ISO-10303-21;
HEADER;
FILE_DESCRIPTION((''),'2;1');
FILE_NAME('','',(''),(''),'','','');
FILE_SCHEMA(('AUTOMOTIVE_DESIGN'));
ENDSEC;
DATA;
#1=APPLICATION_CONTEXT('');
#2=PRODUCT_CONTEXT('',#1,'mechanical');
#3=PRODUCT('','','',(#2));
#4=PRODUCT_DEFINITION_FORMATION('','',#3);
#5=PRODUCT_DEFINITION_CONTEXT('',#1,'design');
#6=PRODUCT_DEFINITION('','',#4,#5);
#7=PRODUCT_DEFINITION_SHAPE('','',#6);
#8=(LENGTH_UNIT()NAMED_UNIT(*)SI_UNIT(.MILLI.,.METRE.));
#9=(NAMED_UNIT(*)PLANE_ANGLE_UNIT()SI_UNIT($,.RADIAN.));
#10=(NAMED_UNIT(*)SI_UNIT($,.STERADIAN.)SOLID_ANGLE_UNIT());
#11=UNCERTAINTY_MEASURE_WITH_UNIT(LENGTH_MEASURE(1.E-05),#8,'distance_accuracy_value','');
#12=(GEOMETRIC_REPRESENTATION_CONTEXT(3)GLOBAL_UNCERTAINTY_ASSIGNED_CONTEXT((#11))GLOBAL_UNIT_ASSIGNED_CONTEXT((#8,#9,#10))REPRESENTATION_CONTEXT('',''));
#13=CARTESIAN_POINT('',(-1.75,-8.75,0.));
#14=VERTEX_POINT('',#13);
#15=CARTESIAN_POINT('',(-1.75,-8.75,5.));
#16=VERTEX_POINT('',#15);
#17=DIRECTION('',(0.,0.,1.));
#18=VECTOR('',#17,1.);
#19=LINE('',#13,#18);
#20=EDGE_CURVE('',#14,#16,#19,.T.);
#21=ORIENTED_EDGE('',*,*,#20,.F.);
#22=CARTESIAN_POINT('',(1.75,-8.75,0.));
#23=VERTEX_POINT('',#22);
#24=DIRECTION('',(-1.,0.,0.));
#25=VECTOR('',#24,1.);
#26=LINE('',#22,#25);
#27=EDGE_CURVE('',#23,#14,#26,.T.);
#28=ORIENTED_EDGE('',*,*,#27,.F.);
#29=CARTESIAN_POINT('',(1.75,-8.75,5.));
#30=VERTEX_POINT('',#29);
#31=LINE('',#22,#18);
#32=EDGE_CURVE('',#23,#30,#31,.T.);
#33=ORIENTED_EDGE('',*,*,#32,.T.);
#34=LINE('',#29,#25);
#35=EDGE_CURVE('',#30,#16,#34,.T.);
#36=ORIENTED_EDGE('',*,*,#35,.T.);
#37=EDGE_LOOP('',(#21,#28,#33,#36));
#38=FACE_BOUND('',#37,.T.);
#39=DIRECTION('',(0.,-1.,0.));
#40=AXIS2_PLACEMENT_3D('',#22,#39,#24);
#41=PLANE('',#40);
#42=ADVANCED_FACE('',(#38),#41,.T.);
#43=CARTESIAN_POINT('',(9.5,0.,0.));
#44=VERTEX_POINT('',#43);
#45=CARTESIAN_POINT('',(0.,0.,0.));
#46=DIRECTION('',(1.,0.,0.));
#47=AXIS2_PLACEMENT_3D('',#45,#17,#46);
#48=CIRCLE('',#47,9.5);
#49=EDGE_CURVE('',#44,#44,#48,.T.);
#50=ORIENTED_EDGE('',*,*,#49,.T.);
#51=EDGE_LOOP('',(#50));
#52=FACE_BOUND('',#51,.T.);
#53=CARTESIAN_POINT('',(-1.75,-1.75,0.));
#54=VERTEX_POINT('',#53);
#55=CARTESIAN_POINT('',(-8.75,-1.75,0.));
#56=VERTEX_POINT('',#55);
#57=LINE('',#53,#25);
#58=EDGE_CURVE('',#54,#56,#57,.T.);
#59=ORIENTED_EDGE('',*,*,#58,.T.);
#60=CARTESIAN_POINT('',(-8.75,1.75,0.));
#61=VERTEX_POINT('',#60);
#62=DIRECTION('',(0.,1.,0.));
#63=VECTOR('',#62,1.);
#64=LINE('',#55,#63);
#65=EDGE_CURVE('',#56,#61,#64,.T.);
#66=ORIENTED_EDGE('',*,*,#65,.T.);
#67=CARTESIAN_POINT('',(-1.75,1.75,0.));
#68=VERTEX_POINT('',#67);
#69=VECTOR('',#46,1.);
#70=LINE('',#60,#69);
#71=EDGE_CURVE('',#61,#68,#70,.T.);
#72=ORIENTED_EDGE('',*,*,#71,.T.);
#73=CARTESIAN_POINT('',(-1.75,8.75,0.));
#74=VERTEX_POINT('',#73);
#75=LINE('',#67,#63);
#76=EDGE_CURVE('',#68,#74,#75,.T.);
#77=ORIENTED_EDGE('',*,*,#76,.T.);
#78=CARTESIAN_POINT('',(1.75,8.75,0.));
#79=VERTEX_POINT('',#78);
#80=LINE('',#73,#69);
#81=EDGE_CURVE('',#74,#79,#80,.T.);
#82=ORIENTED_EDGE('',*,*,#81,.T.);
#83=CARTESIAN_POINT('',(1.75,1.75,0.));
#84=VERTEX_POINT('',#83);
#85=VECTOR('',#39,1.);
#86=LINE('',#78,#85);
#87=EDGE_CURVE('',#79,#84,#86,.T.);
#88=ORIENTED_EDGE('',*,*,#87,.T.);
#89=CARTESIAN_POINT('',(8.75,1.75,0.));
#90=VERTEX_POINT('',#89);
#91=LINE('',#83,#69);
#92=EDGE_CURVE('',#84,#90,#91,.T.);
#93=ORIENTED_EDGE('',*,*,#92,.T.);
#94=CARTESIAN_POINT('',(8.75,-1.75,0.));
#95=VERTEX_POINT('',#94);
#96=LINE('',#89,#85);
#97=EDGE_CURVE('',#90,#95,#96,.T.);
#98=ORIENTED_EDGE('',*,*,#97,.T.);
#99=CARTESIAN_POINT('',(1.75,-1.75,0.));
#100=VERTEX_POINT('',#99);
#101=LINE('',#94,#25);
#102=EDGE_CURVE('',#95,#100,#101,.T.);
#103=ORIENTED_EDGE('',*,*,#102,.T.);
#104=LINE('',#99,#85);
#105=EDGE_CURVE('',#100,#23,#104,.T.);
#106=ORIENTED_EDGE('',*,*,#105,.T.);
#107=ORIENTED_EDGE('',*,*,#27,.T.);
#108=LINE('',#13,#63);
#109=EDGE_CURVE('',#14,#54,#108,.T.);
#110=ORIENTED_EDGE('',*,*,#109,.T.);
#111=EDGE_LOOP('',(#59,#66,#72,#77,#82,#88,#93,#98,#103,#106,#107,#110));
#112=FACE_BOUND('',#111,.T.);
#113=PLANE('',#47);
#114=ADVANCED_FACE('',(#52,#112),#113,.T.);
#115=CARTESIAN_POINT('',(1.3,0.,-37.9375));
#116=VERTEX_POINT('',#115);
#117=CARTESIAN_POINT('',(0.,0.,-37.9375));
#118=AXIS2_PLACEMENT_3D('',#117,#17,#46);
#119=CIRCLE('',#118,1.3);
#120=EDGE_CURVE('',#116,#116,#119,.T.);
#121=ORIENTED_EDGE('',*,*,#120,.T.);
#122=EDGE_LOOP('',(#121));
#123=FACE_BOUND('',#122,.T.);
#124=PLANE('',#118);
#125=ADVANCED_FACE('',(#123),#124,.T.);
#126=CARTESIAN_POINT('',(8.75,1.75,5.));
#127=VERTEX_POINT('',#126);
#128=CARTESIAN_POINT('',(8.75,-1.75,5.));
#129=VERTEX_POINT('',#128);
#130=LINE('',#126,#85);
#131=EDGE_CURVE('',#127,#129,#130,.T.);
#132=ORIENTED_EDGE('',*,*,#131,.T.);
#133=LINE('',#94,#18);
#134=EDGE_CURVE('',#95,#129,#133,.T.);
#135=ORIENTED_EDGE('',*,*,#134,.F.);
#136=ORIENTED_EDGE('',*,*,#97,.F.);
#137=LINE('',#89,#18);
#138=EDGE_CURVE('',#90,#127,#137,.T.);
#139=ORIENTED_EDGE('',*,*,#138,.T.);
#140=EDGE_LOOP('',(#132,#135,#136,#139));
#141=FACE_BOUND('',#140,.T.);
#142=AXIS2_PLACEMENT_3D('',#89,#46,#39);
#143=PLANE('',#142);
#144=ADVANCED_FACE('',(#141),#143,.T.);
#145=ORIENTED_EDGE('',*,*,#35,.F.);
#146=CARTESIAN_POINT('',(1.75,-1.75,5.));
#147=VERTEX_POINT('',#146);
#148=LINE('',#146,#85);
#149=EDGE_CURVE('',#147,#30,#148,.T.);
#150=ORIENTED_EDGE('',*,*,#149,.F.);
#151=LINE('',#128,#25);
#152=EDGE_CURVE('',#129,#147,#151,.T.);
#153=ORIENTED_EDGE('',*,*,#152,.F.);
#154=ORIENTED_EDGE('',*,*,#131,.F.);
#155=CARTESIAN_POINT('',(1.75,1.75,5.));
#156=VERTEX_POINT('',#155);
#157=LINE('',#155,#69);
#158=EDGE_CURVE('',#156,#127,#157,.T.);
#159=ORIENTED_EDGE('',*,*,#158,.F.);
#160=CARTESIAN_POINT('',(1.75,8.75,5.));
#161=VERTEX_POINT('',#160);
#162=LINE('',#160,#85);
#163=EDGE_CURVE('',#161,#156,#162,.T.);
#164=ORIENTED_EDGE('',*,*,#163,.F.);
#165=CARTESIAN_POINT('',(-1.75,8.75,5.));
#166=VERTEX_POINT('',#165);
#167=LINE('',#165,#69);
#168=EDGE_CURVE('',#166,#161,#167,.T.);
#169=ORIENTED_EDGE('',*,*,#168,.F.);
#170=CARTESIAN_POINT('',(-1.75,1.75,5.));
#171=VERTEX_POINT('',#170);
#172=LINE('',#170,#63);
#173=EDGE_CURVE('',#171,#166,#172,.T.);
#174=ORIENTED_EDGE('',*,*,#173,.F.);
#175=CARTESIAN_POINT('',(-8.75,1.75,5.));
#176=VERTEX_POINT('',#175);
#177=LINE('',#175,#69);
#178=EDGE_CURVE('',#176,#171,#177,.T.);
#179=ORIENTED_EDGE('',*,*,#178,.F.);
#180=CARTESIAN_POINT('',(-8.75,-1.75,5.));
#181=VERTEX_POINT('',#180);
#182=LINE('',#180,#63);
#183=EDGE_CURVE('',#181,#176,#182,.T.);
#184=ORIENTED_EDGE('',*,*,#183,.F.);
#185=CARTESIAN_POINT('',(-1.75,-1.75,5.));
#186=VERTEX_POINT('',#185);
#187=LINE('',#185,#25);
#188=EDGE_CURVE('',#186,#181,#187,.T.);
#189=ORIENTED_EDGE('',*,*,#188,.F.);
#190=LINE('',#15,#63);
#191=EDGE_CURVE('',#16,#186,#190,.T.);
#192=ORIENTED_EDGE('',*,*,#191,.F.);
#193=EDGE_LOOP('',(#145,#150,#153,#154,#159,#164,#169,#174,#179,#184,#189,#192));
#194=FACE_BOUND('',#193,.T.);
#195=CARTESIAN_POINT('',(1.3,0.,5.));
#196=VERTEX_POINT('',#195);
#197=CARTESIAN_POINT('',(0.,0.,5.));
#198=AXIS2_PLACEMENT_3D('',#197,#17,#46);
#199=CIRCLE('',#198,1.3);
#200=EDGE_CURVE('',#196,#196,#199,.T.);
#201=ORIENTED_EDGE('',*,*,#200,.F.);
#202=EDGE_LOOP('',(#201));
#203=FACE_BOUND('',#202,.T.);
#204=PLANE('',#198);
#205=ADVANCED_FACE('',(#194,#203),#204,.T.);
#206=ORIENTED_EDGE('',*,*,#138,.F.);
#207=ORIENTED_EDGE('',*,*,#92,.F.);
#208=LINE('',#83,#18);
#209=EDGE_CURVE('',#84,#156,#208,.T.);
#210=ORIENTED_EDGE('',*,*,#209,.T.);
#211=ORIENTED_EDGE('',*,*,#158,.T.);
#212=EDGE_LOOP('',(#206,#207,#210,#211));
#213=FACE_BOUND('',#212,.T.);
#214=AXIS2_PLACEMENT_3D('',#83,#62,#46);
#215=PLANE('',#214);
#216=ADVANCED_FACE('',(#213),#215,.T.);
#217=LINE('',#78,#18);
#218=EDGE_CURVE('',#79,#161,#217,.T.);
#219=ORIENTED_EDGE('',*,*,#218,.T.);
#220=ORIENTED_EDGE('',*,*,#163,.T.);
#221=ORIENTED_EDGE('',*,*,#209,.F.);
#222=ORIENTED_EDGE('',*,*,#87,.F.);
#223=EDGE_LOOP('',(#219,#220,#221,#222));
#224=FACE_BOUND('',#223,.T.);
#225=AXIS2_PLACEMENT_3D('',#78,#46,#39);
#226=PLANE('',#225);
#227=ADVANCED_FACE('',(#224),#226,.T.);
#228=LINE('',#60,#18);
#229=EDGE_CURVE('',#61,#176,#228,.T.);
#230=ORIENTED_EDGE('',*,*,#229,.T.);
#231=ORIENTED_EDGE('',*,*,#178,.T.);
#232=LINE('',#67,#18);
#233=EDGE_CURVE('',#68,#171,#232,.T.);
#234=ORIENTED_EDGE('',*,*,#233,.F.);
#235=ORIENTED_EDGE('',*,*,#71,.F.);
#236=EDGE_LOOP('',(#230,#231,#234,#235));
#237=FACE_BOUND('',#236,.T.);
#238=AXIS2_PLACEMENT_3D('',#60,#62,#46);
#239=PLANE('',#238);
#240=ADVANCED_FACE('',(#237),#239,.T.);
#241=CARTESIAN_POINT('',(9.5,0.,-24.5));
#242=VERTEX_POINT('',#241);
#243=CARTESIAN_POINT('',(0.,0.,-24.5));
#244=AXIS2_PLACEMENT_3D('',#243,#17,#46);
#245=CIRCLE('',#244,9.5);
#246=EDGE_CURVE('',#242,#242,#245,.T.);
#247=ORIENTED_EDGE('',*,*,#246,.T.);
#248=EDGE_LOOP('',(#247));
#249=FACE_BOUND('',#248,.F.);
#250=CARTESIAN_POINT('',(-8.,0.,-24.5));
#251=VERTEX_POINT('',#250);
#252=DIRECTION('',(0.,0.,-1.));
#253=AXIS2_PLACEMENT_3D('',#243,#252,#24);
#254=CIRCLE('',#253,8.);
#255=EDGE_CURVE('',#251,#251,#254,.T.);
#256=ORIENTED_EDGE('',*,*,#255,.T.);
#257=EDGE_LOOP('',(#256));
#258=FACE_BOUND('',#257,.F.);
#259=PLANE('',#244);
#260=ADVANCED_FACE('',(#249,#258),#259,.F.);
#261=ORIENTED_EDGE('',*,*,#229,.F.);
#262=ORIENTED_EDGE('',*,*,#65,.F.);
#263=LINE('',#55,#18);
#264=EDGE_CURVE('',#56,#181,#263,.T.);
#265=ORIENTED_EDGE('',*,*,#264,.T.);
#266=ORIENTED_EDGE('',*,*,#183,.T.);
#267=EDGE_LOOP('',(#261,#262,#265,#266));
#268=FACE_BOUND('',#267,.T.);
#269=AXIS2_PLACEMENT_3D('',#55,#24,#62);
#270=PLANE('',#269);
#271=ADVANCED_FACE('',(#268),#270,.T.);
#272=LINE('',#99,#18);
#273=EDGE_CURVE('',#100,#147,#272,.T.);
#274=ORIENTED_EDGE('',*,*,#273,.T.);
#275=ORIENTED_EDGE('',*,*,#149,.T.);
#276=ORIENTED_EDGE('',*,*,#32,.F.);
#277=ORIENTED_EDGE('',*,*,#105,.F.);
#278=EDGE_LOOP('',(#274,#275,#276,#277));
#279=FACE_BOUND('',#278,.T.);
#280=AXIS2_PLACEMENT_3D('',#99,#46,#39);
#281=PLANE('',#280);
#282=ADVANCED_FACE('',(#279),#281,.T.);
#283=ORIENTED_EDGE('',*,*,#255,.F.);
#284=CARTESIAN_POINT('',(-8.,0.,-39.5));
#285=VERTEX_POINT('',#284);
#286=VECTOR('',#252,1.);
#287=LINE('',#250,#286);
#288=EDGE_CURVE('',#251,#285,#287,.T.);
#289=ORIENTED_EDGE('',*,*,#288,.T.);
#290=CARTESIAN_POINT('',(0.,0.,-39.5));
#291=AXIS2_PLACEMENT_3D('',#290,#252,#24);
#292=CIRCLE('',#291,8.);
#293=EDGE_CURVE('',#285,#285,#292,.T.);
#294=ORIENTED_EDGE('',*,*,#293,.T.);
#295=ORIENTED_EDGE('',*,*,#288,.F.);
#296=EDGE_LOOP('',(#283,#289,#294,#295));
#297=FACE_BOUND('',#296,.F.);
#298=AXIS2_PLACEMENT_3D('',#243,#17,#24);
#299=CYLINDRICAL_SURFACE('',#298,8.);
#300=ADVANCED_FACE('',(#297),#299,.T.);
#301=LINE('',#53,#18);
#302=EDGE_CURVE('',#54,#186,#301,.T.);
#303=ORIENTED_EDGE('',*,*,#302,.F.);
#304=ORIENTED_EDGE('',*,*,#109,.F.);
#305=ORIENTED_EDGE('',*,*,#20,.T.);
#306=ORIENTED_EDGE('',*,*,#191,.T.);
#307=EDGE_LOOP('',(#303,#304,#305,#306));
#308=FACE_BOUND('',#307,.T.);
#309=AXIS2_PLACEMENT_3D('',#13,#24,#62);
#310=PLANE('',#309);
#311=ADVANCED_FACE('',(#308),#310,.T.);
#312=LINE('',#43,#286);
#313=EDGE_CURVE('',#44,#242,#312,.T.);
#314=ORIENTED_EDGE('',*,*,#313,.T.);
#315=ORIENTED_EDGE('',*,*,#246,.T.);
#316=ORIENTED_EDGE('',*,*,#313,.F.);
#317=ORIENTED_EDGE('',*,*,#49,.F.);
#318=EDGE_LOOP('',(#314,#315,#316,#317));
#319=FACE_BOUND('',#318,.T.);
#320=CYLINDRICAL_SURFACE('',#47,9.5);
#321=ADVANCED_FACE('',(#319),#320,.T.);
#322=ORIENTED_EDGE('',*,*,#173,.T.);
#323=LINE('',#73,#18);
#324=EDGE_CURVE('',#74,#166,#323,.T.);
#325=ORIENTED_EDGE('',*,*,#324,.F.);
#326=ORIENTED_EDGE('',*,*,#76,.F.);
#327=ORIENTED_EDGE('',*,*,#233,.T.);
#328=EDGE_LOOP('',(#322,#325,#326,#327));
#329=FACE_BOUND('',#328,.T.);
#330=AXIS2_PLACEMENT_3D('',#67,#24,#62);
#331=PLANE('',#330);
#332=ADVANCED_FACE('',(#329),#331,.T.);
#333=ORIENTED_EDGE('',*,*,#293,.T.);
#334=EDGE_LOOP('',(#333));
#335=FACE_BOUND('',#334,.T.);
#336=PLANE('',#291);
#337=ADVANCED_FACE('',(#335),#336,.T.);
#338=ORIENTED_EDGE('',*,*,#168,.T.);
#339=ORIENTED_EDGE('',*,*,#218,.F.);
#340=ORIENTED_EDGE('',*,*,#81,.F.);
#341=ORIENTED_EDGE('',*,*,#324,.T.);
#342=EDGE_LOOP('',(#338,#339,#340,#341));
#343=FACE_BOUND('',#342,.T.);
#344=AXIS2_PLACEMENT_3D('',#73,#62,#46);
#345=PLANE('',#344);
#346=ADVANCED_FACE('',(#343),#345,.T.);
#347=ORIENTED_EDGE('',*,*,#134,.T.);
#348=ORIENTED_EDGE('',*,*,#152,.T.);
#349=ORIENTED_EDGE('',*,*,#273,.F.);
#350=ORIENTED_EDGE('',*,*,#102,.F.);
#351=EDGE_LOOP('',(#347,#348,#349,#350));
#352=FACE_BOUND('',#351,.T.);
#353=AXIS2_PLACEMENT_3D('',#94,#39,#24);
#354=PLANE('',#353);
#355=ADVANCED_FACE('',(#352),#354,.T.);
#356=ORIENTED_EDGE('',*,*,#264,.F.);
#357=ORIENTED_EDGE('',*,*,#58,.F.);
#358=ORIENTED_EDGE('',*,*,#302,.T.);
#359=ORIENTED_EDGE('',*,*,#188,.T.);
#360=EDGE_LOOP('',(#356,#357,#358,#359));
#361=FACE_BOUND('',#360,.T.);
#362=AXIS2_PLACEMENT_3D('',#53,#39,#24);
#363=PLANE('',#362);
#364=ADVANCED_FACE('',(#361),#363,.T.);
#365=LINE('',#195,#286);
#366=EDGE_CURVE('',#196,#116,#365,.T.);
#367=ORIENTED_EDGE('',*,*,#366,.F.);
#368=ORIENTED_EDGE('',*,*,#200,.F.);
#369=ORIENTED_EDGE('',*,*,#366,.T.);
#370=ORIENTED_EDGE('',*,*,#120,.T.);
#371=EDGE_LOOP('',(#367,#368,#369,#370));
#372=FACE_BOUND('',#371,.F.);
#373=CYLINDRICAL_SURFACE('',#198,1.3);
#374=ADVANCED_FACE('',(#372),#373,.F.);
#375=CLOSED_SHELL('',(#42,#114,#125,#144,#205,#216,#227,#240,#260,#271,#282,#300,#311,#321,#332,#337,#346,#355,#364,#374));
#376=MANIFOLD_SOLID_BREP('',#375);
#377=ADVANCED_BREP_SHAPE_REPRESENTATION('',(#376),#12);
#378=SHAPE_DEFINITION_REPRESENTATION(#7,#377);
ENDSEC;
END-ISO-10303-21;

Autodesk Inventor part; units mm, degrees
ref_plane "YZ Plane" through (0, 0, 0) normal (1, 0, 0) x (0, 1, 0)
ref_plane "XZ Plane" through (0, 0, 0) normal (0, 1, 0) x (-1, 0, 0)
ref_plane "XY Plane" through (0, 0, 0) normal (0, 0, 1) x (1, 0, 0)
sketch "Sketch1" plane through (0, 0, 0) normal (0, 0, 1) x (1, 0, 0)
  circle A0 centre (0, 0) radius 9.5
  dimension "d0" = 19
extrude "Extrusion1" add sketch "Sketch1" against normal blind 24.5
sketch "Sketch2" plane through (0, 0, -24.5) normal (0, 0, -1) x (-1, 0, 0)
  circle A0 centre (0, 0) radius 8
  dimension "d3" = 16
extrude "Extrusion2" add sketch "Sketch2" along normal blind 15
sketch "Sketch3" plane through (0, 0, 0) normal (0, 0, 1) x (1, 0, 0)
  line L0 (0, 0) -> (0, 8.75)
  line L1 (0, 8.75) -> (1.75, 8.75)
  line L2 (1.75, 8.75) -> (1.75, 1.75)
  line L3 (1.75, 1.75) -> (8.75, 1.75)
  line L4 (8.75, 1.75) -> (8.75, -1.75)
  line L5 (8.75, -1.75) -> (1.75, -1.75)
  line L6 (1.75, -1.75) -> (1.75, -8.75)
  line L7 (1.75, -8.75) -> (-1.75, -8.75)
  line L8 (-1.75, -8.75) -> (-1.75, -1.75)
  line L9 (-1.75, -1.75) -> (-8.75, -1.75)
  line L10 (-8.75, -1.75) -> (-8.75, 1.75)
  line L11 (-8.75, 1.75) -> (-1.75, 1.75)
  line L12 (-1.75, 1.75) -> (-1.75, 8.75)
  line L13 (-1.75, 8.75) -> (0, 8.75)
  dimension "d26" = 8.75
  dimension "d27" = 1.75
  dimension "d28" = 7
  dimension "d29" = 7
  dimension "d30" = 3.5
  dimension "d31" = 7
  dimension "d33" = 7
  dimension "d34" = 3.5
  dimension "d35" = 7
  dimension "d36" = 7
  dimension "d37" = 3.5
  dimension "d38" = 7
  dimension "d39" = 7
extrude "Extrusion3" add sketch "Sketch3" along normal blind 5
sketch "Sketch4" plane through (0, 0, 5) normal (0, 0, 1) x (1, 0, 0)
  circle A0 centre (0, 0) radius 1.3
  dimension "d23" = 2.6
extrude "Extrusion4" cut sketch "Sketch4" against normal blind 42.9375
properties part number "OmniWheelAxleRear"
